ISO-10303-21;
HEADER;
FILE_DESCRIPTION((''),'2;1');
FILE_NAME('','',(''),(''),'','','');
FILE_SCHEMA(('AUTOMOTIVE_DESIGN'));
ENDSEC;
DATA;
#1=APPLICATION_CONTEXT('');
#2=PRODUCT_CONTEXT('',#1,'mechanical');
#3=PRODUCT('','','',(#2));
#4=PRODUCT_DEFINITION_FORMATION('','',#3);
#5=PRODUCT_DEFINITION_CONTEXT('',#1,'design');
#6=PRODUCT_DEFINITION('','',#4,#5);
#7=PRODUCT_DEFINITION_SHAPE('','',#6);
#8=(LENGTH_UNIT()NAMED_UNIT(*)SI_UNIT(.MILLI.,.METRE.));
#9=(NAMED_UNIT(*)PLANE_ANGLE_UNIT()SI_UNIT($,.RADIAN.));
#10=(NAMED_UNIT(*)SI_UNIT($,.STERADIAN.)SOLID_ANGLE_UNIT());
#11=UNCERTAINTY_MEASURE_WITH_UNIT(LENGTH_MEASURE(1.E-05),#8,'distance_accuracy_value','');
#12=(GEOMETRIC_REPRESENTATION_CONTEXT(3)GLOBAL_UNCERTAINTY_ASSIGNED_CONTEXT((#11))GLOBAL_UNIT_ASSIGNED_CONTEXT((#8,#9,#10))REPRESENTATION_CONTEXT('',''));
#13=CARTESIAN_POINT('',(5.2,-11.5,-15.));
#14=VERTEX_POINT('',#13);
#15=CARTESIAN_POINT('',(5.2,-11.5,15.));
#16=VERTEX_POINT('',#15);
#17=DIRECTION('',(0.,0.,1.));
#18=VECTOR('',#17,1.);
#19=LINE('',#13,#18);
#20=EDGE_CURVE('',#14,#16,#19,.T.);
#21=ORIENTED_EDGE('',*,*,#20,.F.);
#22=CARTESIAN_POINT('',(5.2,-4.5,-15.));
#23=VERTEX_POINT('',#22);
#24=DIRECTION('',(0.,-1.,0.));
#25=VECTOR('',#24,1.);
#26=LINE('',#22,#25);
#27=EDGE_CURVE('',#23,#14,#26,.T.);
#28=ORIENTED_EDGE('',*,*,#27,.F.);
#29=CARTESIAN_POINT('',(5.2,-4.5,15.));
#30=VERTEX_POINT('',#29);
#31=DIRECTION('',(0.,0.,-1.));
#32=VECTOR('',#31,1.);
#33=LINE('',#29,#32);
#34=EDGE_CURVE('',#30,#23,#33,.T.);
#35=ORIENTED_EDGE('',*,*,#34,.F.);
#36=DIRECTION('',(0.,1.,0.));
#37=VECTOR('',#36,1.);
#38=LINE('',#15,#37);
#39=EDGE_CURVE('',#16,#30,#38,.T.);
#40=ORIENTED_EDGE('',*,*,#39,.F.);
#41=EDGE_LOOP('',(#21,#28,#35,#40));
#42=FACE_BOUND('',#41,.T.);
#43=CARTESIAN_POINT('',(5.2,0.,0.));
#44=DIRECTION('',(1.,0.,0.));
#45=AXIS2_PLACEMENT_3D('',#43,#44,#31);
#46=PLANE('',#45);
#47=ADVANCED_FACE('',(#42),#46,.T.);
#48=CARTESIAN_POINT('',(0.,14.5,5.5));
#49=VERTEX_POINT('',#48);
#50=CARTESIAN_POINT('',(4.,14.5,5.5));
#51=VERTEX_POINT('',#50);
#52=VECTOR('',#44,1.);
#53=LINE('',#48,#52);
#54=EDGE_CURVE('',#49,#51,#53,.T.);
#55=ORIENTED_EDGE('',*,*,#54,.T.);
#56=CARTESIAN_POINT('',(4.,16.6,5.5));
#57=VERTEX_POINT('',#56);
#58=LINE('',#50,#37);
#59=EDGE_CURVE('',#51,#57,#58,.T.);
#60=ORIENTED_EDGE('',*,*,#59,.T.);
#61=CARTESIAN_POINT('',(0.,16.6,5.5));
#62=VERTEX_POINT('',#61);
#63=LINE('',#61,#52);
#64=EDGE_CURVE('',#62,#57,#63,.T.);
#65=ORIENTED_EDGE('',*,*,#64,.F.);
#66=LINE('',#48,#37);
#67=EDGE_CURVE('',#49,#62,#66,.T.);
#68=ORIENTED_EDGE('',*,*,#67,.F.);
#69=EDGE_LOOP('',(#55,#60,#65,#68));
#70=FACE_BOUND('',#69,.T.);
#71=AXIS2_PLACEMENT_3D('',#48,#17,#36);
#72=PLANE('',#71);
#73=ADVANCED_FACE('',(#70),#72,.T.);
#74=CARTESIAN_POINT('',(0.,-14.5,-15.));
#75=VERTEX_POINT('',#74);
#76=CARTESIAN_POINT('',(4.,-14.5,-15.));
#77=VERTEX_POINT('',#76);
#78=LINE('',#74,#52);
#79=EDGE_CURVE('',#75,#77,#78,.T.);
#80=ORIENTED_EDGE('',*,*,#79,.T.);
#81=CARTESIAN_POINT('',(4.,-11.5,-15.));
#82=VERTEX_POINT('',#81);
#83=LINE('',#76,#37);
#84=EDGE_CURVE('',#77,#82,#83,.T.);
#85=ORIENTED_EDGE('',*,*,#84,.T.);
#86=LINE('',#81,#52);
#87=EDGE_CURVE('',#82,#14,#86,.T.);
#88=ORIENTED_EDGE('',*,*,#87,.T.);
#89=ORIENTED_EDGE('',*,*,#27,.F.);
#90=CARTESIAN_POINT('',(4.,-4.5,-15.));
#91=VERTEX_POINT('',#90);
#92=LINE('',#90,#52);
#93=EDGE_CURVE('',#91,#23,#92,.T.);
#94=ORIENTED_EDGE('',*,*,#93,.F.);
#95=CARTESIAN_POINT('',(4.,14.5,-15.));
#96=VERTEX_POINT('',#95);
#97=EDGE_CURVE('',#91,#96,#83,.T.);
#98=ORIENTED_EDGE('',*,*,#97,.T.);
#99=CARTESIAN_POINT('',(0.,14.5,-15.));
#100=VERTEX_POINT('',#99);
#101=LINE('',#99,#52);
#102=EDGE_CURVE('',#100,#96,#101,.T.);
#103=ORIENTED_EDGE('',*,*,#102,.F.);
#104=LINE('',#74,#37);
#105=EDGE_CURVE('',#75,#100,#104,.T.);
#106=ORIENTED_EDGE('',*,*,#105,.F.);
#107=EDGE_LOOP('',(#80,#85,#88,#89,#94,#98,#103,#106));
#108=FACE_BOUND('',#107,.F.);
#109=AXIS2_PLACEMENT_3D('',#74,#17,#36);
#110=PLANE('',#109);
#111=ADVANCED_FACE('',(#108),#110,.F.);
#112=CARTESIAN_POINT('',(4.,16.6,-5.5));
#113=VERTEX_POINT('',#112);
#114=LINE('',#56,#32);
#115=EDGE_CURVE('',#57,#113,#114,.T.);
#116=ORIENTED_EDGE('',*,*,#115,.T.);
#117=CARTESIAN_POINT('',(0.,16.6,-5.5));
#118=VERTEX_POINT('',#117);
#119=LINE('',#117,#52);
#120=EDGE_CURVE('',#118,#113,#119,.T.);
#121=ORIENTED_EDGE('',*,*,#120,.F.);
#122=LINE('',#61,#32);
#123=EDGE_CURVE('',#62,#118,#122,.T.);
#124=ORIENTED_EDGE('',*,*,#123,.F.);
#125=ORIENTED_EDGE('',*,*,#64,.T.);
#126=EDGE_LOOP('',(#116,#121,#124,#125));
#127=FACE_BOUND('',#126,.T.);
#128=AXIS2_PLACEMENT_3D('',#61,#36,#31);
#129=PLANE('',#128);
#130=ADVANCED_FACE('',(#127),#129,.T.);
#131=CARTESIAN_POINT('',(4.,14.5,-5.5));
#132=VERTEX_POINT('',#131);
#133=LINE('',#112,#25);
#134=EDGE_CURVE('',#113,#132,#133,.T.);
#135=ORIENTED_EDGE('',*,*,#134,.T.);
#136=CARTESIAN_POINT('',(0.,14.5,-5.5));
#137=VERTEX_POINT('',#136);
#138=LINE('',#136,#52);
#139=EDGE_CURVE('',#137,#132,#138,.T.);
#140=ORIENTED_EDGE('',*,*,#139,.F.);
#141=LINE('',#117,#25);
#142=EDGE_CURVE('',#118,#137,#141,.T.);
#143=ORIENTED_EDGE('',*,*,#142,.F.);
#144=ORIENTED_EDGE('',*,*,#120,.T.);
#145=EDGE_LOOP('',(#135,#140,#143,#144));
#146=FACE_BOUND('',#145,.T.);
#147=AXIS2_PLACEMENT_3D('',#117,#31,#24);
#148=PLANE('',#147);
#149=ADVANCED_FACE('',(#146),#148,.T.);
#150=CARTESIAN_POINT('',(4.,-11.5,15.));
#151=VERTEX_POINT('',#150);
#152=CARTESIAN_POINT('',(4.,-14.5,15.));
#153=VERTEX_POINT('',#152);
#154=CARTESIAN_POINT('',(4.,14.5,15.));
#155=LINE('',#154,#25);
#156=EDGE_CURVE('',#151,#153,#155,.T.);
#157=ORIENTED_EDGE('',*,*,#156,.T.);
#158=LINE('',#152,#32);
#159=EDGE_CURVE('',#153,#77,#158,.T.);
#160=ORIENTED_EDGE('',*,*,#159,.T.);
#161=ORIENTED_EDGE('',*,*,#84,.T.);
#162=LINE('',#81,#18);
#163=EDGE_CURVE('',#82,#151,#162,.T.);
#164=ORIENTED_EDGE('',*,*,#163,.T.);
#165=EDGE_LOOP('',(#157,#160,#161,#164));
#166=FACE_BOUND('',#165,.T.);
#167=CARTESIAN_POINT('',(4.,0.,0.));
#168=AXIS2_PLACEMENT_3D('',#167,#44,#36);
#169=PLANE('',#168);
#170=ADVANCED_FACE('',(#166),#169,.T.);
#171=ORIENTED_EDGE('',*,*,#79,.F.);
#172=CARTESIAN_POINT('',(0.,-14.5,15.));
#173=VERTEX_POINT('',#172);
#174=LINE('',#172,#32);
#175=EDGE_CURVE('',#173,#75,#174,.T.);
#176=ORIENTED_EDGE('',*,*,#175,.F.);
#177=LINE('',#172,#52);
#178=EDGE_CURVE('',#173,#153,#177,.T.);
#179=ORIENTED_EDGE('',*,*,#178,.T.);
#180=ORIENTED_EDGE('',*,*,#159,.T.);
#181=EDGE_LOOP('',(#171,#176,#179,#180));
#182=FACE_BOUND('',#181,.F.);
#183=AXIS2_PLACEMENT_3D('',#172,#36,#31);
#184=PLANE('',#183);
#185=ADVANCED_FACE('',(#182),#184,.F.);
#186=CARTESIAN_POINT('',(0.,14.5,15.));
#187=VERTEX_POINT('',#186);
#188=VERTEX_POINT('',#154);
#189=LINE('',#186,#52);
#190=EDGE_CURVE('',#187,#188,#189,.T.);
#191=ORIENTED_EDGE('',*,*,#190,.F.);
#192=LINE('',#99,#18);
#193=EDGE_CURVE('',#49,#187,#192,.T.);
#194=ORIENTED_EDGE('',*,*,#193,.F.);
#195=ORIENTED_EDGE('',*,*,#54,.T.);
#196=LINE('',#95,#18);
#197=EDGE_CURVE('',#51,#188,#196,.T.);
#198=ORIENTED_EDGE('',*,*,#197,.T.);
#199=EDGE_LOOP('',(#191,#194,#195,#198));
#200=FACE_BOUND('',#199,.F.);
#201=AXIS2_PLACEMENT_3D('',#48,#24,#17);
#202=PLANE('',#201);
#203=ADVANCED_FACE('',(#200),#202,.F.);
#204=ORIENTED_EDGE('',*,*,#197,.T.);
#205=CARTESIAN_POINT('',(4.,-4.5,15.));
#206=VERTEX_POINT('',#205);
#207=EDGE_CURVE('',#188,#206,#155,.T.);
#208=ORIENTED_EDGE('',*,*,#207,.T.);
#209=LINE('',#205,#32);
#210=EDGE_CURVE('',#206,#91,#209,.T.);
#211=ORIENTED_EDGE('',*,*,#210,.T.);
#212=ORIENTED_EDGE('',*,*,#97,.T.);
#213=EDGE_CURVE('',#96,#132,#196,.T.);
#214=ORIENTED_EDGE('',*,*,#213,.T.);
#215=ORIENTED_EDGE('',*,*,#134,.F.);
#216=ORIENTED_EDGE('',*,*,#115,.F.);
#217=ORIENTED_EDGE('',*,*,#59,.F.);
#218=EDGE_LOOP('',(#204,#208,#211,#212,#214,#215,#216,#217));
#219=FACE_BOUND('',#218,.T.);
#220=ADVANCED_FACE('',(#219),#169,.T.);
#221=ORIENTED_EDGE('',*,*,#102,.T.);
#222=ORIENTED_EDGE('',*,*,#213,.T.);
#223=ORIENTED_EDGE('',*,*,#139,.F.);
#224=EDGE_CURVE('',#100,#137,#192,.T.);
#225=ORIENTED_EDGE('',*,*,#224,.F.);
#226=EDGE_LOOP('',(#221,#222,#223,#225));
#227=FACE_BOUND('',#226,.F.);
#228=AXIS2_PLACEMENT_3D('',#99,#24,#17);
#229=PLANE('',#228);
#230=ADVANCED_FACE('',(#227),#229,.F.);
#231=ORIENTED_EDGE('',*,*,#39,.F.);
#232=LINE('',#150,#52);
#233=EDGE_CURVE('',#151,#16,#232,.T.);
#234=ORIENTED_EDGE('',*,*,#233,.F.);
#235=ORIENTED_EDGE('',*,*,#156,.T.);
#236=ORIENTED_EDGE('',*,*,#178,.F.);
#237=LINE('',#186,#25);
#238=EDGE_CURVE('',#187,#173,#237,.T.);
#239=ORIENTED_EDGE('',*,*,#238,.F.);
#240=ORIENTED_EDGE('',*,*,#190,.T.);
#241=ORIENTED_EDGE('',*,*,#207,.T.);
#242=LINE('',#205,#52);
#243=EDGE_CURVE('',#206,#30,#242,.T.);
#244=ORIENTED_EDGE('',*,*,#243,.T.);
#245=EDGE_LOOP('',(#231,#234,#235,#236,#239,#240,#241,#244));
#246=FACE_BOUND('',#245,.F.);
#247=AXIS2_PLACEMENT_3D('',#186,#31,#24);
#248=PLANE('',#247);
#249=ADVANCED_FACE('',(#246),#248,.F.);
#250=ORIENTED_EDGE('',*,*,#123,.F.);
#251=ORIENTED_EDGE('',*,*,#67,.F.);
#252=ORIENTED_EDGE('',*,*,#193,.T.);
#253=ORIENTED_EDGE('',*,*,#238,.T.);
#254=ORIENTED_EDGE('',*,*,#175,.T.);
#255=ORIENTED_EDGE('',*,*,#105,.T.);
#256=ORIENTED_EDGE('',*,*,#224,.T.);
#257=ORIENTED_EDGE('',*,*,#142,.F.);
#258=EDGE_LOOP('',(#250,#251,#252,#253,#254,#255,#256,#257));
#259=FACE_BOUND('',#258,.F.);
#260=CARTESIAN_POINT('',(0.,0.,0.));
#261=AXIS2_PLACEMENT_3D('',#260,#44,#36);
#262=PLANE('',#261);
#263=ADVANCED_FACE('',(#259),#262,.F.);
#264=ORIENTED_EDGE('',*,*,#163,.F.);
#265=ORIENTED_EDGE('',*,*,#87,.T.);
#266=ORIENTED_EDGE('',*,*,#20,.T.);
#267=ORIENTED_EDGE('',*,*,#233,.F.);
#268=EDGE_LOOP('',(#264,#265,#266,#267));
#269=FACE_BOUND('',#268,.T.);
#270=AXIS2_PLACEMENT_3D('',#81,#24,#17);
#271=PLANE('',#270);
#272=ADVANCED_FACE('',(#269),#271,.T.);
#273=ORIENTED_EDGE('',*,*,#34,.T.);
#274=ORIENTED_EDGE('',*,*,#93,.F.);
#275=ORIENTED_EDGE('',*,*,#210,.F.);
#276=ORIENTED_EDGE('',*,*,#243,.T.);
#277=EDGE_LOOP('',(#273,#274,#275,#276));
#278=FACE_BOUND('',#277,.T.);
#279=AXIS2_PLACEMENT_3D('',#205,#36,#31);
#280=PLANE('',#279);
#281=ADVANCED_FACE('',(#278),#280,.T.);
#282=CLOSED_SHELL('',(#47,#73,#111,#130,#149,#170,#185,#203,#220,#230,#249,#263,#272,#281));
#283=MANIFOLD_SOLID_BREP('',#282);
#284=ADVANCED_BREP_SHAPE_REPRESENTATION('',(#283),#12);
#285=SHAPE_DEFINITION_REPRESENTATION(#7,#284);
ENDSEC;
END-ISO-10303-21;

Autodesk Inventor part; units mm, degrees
ref_plane "YZ Plane" through (0, 0, 0) normal (1, 0, 0) x (0, 1, 0)
ref_plane "XZ Plane" through (0, 0, 0) normal (0, 1, 0) x (-1, 0, 0)
ref_plane "XY Plane" through (0, 0, 0) normal (0, 0, 1) x (1, 0, 0)
sketch "Náčrt1" plane through (0, 0, 0) normal (1, 0, 0) x (0, 1, 0)
  line L0 (14.5, 15) -> (-14.5, 15)
  line L1 (-14.5, 15) -> (-14.5, -15)
  line L2 (-14.5, -15) -> (14.5, -15)
  line L3 (14.5, -15) -> (14.5, 15)
  line L4 (14.5, 5.5) -> (16.6, 5.5)
  line L5 (16.6, 5.5) -> (16.6, -5.5)
  line L6 (16.6, -5.5) -> (14.5, -5.5)
  line L7 (14.5, -5.5) -> (14.5, 5.5)
  point P0 (0, 0)
  dimension "d0" = 29
  dimension "d1" = 30
  dimension "d2" = 2.1
  dimension "d3" = 11
  dimension "d4" = 15
  dimension "d5" = 14.5
  dimension "d6" = 5.5
extrude "Vysunutí1" add sketch "Náčrt1" along normal blind 4
sketch "Náčrt2" plane through (4, 0, 0) normal (1, 0, 0) x (0, 0, -1)
  line L0 (-15, -4.5) -> (15, -4.5)
  line L1 (15, -4.5) -> (15, -11.5)
  line L2 (15, -11.5) -> (-15, -11.5)
  line L3 (-15, -11.5) -> (-15, -4.5)
  line L4 (5.5, 14.5) -> (5.5, 16.6) projected
  line L5 (5.5, 16.6) -> (-5.5, 16.6) projected
  line L6 (-5.5, 16.6) -> (-5.5, 14.5) projected
  line L7 (-5.5, 14.5) -> (-15, 14.5) projected
  line L8 (-15, 14.5) -> (-15, -14.5) projected
  line L9 (-15, -14.5) -> (15, -14.5) projected
  line L10 (15, -14.5) -> (15, 14.5) projected
  line L11 (15, 14.5) -> (5.5, 14.5) projected
  line L12 (-15, 14.5) -> (-15, -14.5) projected
  line L13 (15, -14.5) -> (15, 14.5) projected
  point P0 (0, 0)
  dimension "d9" = 10
  dimension "d10" = 3
extrude "Vysunutí2" add sketch "Náčrt2" along normal blind 1.2 contours L0 L1 L2 L3
equation "\"d4\" = 0.5 * d1"
equation "\"d5\" = 0.5 * d0"
equation "\"d6\" = 0.5 * d3"
properties part number "gamma"
